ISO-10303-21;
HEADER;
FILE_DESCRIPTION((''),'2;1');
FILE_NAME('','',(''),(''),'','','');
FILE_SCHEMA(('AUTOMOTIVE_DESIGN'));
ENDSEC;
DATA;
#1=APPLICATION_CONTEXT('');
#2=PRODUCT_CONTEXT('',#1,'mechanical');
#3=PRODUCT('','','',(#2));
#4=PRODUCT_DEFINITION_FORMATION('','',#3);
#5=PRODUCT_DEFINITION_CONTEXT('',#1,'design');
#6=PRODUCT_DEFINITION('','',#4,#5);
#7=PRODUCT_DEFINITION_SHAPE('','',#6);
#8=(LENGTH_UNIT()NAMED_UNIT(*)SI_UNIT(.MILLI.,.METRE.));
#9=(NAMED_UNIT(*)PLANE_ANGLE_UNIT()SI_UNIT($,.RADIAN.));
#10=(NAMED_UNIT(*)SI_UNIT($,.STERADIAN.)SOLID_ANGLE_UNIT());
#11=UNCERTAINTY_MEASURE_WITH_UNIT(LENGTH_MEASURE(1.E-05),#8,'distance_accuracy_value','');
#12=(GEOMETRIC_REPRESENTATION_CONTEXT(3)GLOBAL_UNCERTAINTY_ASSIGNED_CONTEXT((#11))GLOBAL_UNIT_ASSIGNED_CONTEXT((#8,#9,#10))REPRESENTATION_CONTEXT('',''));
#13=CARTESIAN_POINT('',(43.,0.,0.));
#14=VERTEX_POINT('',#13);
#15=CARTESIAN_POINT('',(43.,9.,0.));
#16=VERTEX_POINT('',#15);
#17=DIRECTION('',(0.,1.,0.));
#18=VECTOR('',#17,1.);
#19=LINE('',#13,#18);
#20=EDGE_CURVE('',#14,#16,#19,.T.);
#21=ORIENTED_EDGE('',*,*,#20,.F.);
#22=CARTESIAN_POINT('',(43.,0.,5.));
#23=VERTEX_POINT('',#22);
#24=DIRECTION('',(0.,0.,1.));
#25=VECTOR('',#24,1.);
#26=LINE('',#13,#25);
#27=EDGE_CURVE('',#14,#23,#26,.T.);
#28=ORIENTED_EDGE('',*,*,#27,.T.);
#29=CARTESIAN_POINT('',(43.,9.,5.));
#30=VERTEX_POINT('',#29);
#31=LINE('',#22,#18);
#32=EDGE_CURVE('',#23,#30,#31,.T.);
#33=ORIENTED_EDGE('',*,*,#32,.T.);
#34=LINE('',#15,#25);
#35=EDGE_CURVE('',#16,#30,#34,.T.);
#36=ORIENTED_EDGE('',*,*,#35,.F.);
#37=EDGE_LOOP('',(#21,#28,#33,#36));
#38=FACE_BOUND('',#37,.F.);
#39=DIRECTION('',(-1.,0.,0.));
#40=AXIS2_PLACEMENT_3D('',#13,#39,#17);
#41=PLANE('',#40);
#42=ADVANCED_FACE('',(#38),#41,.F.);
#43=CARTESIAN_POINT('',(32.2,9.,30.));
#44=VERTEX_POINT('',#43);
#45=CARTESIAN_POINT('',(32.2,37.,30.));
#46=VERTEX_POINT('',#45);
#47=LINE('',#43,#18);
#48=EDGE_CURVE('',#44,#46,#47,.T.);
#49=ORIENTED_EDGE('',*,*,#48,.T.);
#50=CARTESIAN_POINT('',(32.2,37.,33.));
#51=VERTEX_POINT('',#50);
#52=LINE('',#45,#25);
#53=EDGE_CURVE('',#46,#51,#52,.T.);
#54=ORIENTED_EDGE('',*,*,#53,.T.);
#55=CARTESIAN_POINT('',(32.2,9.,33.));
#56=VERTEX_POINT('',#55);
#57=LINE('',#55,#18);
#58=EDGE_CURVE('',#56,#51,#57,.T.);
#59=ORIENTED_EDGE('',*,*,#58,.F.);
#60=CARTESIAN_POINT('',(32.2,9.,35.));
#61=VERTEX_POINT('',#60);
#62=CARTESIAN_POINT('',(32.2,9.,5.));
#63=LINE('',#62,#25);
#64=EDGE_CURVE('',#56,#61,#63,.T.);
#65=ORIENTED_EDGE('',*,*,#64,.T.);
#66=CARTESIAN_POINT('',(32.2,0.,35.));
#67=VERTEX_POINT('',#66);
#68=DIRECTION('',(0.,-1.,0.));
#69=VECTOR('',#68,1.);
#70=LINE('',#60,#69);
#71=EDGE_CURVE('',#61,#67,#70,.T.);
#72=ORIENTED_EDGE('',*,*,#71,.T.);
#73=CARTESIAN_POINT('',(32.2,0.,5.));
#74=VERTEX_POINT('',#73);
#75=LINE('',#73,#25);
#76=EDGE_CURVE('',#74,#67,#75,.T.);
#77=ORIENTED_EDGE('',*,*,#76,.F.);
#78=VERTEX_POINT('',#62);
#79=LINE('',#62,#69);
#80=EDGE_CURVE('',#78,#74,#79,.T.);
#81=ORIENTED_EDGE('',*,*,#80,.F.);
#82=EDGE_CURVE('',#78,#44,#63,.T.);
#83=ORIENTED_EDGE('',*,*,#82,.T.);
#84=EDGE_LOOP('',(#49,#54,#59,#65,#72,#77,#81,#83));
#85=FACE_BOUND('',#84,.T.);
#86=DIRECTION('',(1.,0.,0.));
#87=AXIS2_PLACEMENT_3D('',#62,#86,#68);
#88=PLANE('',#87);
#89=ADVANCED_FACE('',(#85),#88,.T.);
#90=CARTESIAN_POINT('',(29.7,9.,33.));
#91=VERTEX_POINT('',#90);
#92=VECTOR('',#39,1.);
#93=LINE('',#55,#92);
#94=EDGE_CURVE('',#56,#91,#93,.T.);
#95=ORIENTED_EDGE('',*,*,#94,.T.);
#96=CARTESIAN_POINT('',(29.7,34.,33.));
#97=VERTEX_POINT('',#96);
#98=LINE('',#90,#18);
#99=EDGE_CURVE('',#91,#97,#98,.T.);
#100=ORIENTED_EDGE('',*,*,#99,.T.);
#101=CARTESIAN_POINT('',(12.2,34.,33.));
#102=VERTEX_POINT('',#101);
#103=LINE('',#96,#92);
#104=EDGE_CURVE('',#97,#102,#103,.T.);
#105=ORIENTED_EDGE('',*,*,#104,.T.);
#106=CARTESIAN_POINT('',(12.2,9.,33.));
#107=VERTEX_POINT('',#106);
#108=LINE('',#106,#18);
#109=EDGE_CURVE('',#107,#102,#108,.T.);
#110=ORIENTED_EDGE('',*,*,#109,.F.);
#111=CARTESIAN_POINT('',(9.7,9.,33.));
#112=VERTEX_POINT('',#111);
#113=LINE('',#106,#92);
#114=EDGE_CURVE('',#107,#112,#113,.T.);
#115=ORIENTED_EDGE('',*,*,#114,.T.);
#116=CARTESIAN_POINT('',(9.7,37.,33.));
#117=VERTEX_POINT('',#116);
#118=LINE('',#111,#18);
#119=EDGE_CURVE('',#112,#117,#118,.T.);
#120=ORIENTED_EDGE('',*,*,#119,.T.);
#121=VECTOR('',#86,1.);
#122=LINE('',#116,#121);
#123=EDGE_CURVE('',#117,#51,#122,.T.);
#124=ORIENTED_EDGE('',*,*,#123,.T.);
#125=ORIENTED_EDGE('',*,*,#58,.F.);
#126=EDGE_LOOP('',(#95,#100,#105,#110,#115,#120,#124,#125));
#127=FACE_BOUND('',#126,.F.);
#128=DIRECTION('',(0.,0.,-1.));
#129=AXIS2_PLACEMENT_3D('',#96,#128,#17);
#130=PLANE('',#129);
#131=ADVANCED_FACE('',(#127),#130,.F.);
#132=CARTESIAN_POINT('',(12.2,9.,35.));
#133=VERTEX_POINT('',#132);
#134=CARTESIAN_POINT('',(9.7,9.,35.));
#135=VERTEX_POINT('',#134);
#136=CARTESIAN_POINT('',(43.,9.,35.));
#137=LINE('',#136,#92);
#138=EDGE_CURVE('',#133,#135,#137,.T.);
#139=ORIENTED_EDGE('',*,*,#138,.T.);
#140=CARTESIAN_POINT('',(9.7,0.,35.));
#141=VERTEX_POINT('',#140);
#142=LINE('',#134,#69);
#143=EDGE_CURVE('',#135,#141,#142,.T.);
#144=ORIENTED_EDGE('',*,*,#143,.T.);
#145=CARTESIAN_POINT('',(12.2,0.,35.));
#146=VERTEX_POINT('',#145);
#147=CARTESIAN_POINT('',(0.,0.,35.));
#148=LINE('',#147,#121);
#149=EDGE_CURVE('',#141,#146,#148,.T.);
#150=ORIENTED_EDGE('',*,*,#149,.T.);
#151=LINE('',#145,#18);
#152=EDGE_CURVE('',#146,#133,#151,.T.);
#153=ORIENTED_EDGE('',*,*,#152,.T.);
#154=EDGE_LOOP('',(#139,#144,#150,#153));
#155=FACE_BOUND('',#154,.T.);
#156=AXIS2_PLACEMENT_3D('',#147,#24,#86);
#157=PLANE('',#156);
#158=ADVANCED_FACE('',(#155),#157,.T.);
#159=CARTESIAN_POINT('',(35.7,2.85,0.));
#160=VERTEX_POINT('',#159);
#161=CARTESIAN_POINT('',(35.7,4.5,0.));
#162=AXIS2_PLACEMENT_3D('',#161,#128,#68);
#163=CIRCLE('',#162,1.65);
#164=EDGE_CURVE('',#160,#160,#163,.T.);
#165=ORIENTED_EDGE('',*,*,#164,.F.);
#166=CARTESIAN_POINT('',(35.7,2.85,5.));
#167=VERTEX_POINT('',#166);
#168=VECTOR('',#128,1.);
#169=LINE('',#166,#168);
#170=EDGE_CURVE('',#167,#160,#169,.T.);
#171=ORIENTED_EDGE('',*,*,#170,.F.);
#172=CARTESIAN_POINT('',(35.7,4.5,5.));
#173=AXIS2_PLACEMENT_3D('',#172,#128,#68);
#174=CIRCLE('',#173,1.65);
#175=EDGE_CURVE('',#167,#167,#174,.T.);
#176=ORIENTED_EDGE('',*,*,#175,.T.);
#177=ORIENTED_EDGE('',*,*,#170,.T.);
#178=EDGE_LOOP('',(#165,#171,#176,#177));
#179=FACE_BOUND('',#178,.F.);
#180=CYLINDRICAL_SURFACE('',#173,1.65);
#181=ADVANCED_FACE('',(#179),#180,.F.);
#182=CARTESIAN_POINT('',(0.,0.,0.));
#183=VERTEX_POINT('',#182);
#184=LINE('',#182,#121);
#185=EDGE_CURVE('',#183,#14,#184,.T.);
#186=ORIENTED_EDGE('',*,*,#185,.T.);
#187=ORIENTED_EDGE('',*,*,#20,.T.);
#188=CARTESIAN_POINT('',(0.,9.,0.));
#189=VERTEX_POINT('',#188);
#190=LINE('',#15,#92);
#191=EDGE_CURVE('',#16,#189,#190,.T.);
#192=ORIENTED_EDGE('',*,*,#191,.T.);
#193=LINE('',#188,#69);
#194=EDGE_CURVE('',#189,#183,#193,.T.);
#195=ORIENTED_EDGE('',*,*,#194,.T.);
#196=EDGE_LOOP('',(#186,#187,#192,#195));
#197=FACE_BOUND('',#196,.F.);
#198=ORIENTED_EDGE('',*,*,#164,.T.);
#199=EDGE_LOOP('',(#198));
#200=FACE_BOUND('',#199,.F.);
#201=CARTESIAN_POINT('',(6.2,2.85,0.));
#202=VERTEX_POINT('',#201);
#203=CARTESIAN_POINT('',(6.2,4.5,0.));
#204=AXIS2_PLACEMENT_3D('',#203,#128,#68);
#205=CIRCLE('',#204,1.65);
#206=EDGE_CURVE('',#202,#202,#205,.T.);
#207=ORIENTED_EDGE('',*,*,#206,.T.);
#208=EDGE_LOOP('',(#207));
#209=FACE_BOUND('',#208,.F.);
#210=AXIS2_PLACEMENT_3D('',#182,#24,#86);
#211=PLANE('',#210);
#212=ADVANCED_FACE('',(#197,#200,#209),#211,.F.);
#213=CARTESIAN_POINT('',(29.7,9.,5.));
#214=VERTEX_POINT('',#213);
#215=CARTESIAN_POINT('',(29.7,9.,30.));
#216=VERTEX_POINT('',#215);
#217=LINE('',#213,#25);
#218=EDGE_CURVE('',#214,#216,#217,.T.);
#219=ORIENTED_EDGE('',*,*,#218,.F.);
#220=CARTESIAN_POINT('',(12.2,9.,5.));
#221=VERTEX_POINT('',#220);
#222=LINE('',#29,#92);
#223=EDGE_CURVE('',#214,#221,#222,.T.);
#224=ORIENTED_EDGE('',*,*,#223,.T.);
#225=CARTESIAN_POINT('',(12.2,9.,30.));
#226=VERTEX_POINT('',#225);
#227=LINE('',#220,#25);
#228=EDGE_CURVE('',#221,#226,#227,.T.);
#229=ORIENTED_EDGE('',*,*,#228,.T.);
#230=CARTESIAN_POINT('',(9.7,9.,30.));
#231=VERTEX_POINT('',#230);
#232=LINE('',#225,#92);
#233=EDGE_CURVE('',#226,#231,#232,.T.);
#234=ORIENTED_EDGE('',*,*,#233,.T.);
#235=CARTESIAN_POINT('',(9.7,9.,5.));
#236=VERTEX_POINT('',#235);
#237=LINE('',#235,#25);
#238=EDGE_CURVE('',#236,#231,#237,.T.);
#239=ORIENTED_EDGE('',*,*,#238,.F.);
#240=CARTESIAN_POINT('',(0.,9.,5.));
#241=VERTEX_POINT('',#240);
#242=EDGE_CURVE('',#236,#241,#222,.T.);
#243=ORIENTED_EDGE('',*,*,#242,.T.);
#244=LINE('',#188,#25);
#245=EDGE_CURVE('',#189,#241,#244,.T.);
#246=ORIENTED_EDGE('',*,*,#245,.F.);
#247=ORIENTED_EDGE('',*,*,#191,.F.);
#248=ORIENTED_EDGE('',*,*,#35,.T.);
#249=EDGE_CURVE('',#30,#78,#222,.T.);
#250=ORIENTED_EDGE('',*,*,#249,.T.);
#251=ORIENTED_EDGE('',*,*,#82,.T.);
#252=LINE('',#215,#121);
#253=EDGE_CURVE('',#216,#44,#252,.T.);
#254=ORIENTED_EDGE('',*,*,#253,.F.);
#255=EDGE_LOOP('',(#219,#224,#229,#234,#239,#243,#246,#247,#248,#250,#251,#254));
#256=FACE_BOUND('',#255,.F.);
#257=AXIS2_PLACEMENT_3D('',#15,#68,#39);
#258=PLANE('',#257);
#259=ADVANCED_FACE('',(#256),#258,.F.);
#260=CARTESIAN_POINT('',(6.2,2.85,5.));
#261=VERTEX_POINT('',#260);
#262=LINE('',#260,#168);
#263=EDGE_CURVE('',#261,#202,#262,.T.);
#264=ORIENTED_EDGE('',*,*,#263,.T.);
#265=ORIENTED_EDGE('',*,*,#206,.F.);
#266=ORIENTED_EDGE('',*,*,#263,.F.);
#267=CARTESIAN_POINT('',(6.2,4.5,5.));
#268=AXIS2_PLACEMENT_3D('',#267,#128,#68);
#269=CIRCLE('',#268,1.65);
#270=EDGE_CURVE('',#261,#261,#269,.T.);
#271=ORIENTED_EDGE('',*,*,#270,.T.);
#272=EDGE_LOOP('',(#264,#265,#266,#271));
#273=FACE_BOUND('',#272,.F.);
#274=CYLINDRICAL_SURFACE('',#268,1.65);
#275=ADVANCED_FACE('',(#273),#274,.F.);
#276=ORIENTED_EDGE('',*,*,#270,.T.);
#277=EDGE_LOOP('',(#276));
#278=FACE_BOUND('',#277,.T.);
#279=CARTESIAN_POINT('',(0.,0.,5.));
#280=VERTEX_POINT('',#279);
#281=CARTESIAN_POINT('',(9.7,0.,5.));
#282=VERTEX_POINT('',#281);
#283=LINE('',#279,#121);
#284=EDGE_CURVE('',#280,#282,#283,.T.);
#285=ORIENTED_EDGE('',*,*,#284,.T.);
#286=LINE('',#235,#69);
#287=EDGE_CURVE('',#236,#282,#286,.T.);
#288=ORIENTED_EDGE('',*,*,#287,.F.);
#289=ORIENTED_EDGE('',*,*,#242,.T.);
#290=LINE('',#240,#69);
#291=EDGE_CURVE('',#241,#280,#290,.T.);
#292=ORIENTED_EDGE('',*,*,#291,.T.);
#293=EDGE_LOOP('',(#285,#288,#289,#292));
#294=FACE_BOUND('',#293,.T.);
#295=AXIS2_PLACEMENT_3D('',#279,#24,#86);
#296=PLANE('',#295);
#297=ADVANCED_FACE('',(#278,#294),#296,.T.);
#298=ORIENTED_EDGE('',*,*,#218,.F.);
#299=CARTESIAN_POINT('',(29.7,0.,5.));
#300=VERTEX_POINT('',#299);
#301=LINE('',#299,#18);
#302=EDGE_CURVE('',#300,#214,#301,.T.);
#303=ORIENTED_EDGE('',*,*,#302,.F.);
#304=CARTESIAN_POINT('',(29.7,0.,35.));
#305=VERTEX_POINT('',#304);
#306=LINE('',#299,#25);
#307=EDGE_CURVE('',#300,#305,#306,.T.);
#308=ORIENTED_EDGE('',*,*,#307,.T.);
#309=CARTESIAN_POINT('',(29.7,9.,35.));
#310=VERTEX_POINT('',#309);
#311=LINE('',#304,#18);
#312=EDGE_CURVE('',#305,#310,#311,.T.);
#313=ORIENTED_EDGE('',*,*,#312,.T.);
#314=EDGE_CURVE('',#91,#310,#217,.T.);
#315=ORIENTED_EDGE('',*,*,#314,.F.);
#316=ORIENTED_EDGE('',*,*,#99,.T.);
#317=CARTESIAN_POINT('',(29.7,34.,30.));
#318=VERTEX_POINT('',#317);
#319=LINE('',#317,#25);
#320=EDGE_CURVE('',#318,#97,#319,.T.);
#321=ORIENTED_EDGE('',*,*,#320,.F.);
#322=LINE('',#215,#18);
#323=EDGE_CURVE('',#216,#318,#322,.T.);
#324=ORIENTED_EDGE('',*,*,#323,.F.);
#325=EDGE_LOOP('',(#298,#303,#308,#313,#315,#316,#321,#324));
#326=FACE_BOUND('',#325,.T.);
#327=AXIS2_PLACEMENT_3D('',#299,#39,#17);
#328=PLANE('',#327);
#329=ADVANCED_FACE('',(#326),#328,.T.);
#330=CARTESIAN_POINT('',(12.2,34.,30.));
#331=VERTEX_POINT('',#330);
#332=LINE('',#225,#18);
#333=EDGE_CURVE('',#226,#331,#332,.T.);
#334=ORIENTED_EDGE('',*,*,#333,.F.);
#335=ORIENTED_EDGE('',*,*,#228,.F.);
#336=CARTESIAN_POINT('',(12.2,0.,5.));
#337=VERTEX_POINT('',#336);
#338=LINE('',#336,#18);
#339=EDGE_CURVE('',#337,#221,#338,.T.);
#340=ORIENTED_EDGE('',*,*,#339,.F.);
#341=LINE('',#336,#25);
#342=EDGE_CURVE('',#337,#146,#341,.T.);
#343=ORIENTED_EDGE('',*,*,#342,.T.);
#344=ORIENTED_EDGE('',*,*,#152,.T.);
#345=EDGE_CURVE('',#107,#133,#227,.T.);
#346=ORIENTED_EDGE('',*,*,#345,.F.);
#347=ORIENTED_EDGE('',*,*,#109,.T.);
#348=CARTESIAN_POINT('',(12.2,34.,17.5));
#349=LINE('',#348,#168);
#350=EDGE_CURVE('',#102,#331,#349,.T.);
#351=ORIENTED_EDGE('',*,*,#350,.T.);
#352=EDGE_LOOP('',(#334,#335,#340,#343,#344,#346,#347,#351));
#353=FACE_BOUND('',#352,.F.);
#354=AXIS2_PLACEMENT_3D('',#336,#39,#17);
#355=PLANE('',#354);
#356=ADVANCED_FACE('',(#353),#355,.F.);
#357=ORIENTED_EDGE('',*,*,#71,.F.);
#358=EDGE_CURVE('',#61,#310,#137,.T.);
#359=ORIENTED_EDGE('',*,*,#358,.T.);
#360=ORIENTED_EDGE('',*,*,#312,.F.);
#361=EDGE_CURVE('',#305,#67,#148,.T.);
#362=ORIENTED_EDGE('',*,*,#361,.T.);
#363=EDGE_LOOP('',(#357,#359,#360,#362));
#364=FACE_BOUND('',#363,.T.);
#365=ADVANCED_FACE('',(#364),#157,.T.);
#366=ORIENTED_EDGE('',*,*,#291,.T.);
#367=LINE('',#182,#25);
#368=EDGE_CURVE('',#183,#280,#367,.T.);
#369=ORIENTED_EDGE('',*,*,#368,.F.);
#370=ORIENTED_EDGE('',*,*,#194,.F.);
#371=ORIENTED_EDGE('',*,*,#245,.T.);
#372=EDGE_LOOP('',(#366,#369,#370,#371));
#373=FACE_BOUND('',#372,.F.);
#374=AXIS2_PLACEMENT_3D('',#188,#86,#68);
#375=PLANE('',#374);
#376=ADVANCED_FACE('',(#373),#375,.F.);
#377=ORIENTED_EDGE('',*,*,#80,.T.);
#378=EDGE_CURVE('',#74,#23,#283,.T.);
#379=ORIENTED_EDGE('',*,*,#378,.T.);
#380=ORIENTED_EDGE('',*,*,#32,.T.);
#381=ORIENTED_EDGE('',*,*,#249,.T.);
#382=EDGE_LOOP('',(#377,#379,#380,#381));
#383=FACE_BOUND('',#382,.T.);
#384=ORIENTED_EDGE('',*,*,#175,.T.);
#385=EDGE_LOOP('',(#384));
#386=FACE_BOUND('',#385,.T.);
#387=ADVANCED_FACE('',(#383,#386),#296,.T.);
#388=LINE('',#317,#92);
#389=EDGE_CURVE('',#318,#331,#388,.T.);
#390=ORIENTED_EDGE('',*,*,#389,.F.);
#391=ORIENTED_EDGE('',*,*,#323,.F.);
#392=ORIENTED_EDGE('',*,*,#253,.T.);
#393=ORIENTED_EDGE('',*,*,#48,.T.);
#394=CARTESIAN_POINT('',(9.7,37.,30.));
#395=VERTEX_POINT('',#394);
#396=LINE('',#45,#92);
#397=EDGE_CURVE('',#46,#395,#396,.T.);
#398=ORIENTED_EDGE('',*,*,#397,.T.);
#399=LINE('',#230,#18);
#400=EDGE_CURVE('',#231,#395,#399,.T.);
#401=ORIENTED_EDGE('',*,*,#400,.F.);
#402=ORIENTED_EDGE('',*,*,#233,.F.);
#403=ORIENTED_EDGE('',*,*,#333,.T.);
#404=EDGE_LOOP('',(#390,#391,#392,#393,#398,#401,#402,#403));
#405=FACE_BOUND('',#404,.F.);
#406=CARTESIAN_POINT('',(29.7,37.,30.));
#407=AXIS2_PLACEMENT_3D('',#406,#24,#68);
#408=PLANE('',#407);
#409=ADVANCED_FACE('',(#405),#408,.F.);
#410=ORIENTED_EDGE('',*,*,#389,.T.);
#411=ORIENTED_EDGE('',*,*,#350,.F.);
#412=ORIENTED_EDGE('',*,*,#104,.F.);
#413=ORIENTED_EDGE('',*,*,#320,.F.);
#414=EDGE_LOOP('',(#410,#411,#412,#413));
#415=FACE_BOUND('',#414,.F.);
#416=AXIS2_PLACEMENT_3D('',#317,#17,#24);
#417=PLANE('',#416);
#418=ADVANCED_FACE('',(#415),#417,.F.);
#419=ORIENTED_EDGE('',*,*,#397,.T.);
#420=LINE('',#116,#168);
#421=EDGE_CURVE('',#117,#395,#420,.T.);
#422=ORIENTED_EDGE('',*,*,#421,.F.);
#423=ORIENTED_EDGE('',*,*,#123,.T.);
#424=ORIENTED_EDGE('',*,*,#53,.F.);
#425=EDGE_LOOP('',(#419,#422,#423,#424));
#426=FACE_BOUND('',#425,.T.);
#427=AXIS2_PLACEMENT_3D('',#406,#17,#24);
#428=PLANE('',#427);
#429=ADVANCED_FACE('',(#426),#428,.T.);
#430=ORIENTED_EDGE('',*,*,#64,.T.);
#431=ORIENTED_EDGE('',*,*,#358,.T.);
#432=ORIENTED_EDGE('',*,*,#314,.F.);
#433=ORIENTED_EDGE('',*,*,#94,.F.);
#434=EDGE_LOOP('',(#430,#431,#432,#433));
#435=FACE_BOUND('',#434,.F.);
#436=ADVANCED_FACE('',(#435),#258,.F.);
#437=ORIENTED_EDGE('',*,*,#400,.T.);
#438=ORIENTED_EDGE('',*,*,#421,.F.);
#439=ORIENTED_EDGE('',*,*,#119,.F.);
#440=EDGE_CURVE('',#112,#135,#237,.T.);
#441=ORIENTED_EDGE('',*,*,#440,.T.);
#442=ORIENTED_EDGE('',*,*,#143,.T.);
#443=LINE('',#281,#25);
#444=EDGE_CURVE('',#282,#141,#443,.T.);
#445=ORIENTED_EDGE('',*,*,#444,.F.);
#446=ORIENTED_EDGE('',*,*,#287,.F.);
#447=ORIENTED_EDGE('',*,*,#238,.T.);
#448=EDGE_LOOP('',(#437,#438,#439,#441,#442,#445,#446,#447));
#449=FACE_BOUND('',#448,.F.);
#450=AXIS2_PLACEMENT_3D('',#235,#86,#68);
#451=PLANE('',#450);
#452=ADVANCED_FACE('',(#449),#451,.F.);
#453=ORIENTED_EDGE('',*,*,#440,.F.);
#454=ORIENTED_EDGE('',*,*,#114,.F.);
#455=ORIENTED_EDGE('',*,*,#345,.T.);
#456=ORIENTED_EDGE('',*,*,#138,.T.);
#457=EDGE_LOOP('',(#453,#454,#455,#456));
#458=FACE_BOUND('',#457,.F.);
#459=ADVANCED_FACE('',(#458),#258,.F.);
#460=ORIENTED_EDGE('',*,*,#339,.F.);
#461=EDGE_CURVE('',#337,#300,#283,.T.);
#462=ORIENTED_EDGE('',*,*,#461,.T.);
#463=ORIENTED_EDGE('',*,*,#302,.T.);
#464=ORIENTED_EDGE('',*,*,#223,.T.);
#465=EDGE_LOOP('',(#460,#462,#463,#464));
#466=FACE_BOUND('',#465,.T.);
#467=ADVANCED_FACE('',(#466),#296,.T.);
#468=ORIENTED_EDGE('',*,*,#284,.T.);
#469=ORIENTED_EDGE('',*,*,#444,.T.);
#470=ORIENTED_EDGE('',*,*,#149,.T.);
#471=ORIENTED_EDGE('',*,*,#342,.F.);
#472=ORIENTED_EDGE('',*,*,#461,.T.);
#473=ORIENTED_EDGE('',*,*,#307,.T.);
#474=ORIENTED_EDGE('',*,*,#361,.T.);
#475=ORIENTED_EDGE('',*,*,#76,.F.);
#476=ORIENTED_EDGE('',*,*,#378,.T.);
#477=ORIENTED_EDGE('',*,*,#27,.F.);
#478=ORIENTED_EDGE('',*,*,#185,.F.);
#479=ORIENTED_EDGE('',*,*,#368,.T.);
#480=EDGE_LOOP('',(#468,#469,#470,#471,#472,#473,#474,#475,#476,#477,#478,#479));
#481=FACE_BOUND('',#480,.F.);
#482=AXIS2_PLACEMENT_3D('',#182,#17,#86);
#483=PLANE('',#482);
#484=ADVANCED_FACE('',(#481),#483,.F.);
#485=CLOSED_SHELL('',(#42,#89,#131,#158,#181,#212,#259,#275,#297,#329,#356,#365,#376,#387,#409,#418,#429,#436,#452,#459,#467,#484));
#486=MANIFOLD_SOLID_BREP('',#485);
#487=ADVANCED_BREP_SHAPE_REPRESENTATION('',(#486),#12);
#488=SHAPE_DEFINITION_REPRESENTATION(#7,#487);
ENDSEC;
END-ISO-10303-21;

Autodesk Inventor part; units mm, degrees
ref_plane "YZ Plane" through (0, 0, 0) normal (1, 0, 0) x (0, 1, 0)
ref_plane "XZ Plane" through (0, 0, 0) normal (0, 1, 0) x (-1, 0, 0)
ref_plane "XY Plane" through (0, 0, 0) normal (0, 0, 1) x (1, 0, 0)
sketch "Sketch1" plane through (0, 0, 0) normal (0, 0, 1) x (1, 0, 0)
  line L0 (0, 0) -> (43, 0)
  line L1 (43, 0) -> (43, 9)
  line L2 (43, 9) -> (0, 9)
  line L3 (0, 9) -> (0, 0)
  dimension "d0" = 43
  dimension "d1" = 9
extrude "Extrusion1" add sketch "Sketch1" along normal blind 5
sketch "Sketch2" plane through (0, 0, 5) normal (0, 0, 1) x (1, 0, 0)
  line L0 (43, 0) -> (43, 9) projected
  line L1 (43, 9) -> (0, 9) projected
  point P0 (0, 0)
  point P1 (35.7, 4.5)
  point P2 (6.2, 4.5)
  dimension "d11" = 7.3
  dimension "d12" = 29.5
  dimension "d13" = 4.5
  dimension "d14" = 4.5
hole "Hole1" at (35.7, 4.5, 5) at (6.2, 4.5, 5) direction (0, 0, -1) diameter 3.3 end through all
sketch "Sketch3" plane through (0, 0, 5) normal (0, 0, 1) x (1, 0, 0)
  line L0 (0, 0) -> (43, 0) projected
  line L1 (43, 9) -> (0, 9) projected
  line L2 (9.7, 0) -> (12.2, 0)
  line L3 (12.2, 0) -> (12.2, 9)
  line L4 (12.2, 9) -> (9.7, 9)
  line L5 (9.7, 9) -> (9.7, 0)
  line L6 (29.7, 9) -> (32.2, 9)
  line L7 (32.2, 9) -> (32.2, 0)
  line L8 (32.2, 0) -> (29.7, 0)
  line L9 (29.7, 0) -> (29.7, 9)
  circle A0 centre (35.7, 4.5) radius 1.65 projected
  point P0 (29.7, 4.5)
  point P1 (12.2, 4.5)
  point P2 (32.2, 4.5)
  point P3 (29.7, 9)
  point P4 (29.7, 0)
  point P5 (32.2, 0)
  point P6 (32.2, 9)
  point P7 (12.2, 0)
  dimension "d15" = 2.5
  dimension "d16" = 2.5
  dimension "d17" = 17.5
  dimension "d18" = 3.5
extrude "Extrusion2" add sketch "Sketch3" along normal blind 30 contours L5 L1 L3 L0 | L9 L1 L7 L0
sketch "Sketch6" plane through (0, 9, 0) normal (0, 1, 0) x (1, 0, 0)
  line L0 (12.2, -5) -> (12.2, -35) projected
  line L1 (12.2, -30) -> (9.7, -30) projected
  line L2 (12.2, -33) -> (9.7, -33)
  line L3 (9.7, -33) -> (9.7, -30)
  line L4 (9.7, -30) -> (12.2, -30)
  line L5 (12.2, -30) -> (12.2, -33)
  line L6 (29.7, -5) -> (29.7, -35) projected
  line L7 (29.7, -30) -> (32.2, -30)
  line L8 (32.2, -30) -> (32.2, -33)
  line L9 (32.2, -33) -> (29.7, -33)
  line L10 (29.7, -33) -> (29.7, -30)
  point P0 (0, 0)
  dimension "d30" = 2.5
  dimension "d31" = 3
  dimension "d32" = 3
extrude "Extrusion5" add sketch "Sketch6" along normal blind 28
sketch "Sketch7" plane through (29.7, 0, 5) normal (-1, 0, 0) x (0, 0, 1)
  line L0 (25, 37) -> (28, 37) projected
  line L1 (28, 37) -> (25, 37)
  line L2 (25, 37) -> (25, 34)
  line L3 (25, 34) -> (28, 34)
  line L4 (28, 34) -> (28, 37)
  point P0 (-5, 0)
  dimension "d35" = 3
  dimension "d36" = 3
extrude "Extrusion6" add sketch "Sketch7" along normal blind 18
properties part number "Batteryholder1"
